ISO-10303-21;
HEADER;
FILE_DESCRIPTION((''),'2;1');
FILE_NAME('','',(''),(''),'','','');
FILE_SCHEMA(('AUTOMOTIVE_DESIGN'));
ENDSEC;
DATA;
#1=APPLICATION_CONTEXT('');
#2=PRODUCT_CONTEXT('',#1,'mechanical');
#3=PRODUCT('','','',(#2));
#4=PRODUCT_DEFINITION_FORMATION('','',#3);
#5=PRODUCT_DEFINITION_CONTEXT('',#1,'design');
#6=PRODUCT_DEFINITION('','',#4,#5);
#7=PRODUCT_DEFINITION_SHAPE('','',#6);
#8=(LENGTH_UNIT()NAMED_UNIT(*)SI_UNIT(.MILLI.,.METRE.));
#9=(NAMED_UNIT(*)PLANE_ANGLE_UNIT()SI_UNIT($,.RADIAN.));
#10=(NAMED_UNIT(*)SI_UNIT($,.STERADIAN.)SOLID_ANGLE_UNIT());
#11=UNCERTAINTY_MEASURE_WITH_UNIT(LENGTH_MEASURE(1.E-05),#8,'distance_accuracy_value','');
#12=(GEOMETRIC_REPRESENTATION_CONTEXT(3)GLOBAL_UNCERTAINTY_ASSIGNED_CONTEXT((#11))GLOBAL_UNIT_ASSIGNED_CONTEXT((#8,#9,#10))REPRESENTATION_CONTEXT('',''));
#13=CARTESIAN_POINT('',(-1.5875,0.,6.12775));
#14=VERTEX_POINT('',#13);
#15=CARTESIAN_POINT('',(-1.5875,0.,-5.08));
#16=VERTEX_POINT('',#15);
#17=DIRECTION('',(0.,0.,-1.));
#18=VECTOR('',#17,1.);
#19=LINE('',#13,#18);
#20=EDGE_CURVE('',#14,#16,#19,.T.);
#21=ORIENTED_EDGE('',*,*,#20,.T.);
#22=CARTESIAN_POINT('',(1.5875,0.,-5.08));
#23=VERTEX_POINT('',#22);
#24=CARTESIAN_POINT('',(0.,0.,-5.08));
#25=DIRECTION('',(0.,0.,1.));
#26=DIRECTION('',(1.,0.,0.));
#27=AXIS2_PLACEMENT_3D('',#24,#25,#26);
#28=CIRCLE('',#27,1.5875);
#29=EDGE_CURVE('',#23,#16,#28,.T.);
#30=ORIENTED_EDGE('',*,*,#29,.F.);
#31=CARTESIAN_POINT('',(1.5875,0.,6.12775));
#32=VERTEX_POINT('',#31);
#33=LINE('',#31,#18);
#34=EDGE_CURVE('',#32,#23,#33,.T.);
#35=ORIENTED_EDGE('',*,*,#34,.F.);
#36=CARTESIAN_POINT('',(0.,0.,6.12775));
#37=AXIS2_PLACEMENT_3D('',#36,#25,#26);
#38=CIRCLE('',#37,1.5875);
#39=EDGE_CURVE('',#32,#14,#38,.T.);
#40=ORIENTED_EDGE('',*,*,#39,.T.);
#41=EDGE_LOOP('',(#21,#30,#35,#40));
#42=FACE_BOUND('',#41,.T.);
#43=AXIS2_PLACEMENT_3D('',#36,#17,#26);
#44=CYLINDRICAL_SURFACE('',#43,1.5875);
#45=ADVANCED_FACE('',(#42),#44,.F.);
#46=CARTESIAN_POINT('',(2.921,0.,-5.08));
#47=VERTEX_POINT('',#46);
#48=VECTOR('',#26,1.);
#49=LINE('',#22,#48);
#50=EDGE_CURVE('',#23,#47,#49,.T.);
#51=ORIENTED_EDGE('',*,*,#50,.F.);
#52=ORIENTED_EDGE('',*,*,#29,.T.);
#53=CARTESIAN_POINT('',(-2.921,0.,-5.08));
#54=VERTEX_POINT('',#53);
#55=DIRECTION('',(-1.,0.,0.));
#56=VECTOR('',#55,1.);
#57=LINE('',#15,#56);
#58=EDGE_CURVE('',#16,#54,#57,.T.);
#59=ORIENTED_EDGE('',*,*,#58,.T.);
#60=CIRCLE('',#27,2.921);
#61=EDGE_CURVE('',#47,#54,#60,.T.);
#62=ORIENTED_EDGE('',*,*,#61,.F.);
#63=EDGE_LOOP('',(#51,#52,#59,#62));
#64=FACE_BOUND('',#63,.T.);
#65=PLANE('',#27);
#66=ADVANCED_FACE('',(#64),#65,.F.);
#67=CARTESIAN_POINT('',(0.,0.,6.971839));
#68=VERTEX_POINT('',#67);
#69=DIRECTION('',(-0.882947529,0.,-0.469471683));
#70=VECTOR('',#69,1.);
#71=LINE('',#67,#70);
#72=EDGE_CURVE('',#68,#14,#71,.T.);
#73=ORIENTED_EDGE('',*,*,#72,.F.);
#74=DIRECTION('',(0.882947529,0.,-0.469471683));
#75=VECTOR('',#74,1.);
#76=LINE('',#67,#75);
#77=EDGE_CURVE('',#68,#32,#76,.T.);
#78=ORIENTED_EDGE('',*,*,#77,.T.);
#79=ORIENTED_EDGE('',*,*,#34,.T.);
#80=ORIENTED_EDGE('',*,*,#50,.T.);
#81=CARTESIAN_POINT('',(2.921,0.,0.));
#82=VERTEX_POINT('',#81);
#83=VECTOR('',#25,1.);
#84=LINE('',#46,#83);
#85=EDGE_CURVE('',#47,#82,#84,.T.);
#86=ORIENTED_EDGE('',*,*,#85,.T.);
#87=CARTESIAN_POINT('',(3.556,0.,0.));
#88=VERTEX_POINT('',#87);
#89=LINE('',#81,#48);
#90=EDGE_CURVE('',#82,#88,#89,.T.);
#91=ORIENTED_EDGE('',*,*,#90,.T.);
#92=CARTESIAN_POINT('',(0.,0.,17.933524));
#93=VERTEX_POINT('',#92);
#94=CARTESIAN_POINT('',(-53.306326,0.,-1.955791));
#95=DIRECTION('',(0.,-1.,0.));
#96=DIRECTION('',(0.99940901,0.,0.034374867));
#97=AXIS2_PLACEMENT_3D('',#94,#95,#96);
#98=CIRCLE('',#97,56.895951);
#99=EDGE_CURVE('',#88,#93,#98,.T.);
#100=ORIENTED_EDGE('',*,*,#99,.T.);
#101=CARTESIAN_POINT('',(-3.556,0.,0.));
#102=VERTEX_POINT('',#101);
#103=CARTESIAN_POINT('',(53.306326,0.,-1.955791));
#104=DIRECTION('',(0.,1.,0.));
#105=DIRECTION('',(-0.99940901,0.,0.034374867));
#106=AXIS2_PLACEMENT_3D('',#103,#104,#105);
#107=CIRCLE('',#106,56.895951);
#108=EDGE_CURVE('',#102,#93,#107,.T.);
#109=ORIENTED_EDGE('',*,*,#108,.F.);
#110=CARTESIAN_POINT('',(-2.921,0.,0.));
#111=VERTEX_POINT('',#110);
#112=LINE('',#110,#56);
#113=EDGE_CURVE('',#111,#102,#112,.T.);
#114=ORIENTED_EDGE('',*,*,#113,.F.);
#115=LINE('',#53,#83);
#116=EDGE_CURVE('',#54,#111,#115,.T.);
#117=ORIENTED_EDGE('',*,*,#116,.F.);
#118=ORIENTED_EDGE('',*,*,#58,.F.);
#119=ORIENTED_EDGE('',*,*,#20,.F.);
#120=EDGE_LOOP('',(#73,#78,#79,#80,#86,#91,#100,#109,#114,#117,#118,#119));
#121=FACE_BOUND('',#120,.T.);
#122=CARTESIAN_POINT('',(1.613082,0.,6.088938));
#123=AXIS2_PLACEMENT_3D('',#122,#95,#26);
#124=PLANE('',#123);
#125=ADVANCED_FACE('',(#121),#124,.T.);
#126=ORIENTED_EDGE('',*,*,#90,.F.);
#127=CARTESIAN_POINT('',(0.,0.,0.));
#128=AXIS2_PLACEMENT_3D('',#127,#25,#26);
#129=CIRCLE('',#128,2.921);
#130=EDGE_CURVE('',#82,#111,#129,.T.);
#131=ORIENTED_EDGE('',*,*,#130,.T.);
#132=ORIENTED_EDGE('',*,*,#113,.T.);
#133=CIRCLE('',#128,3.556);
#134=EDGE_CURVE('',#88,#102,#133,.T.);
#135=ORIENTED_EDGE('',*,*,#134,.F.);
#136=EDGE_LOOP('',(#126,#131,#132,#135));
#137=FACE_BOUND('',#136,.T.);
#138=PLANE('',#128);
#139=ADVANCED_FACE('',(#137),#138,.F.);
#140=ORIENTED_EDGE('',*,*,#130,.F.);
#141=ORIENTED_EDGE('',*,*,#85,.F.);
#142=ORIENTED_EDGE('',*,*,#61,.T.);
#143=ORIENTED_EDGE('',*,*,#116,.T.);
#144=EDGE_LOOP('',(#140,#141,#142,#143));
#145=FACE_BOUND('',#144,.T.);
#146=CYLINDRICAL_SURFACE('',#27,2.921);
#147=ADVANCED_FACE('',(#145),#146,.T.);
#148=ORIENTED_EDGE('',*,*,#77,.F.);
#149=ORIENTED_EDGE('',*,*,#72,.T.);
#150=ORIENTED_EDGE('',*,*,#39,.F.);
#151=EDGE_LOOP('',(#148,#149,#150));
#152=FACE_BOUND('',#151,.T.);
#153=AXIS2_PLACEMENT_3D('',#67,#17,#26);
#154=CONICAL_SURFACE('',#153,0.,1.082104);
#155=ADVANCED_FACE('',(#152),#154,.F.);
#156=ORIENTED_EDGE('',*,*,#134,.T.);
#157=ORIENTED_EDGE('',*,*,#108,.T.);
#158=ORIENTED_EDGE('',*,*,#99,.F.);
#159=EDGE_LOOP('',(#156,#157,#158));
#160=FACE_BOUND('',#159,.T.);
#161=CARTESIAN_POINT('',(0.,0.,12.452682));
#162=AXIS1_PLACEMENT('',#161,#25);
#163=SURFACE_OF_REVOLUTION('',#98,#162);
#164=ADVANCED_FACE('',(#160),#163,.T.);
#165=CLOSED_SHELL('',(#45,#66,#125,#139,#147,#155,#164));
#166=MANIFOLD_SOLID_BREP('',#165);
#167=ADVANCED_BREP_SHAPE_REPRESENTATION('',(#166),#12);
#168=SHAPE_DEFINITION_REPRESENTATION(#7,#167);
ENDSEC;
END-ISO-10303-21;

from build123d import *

# Parameters (mm, degrees)
F1_ANGLE = 180


with BuildPart() as f1:
    # F0 (on Front) → F1 (revolve)
    with BuildSketch(Plane.XZ):
        with BuildLine():
            Line((2.921, -1.016), (2.921, 0))
            Line((2.921, 0), (3.556, 0))
            ThreePointArc((3.556, 0), (2.503044, 9.11053), (0, 17.933524))
            Line((0, 17.933524), (0, 6.971839))
            Line((0, 6.971839), (1.5875, 6.12775))
            Line((1.5875, 6.12775), (1.5875, -1.016))
            Line((1.5875, -1.016), (1.5875, -5.08))
            Line((1.5875, -5.08), (2.921, -5.08))
            Line((2.921, -5.08), (2.921, -1.016))
        make_face()
    revolve(axis=Axis((0, 0, 12.452682), (0, 0, 1)), revolution_arc=F1_ANGLE)


solid = f1.part
